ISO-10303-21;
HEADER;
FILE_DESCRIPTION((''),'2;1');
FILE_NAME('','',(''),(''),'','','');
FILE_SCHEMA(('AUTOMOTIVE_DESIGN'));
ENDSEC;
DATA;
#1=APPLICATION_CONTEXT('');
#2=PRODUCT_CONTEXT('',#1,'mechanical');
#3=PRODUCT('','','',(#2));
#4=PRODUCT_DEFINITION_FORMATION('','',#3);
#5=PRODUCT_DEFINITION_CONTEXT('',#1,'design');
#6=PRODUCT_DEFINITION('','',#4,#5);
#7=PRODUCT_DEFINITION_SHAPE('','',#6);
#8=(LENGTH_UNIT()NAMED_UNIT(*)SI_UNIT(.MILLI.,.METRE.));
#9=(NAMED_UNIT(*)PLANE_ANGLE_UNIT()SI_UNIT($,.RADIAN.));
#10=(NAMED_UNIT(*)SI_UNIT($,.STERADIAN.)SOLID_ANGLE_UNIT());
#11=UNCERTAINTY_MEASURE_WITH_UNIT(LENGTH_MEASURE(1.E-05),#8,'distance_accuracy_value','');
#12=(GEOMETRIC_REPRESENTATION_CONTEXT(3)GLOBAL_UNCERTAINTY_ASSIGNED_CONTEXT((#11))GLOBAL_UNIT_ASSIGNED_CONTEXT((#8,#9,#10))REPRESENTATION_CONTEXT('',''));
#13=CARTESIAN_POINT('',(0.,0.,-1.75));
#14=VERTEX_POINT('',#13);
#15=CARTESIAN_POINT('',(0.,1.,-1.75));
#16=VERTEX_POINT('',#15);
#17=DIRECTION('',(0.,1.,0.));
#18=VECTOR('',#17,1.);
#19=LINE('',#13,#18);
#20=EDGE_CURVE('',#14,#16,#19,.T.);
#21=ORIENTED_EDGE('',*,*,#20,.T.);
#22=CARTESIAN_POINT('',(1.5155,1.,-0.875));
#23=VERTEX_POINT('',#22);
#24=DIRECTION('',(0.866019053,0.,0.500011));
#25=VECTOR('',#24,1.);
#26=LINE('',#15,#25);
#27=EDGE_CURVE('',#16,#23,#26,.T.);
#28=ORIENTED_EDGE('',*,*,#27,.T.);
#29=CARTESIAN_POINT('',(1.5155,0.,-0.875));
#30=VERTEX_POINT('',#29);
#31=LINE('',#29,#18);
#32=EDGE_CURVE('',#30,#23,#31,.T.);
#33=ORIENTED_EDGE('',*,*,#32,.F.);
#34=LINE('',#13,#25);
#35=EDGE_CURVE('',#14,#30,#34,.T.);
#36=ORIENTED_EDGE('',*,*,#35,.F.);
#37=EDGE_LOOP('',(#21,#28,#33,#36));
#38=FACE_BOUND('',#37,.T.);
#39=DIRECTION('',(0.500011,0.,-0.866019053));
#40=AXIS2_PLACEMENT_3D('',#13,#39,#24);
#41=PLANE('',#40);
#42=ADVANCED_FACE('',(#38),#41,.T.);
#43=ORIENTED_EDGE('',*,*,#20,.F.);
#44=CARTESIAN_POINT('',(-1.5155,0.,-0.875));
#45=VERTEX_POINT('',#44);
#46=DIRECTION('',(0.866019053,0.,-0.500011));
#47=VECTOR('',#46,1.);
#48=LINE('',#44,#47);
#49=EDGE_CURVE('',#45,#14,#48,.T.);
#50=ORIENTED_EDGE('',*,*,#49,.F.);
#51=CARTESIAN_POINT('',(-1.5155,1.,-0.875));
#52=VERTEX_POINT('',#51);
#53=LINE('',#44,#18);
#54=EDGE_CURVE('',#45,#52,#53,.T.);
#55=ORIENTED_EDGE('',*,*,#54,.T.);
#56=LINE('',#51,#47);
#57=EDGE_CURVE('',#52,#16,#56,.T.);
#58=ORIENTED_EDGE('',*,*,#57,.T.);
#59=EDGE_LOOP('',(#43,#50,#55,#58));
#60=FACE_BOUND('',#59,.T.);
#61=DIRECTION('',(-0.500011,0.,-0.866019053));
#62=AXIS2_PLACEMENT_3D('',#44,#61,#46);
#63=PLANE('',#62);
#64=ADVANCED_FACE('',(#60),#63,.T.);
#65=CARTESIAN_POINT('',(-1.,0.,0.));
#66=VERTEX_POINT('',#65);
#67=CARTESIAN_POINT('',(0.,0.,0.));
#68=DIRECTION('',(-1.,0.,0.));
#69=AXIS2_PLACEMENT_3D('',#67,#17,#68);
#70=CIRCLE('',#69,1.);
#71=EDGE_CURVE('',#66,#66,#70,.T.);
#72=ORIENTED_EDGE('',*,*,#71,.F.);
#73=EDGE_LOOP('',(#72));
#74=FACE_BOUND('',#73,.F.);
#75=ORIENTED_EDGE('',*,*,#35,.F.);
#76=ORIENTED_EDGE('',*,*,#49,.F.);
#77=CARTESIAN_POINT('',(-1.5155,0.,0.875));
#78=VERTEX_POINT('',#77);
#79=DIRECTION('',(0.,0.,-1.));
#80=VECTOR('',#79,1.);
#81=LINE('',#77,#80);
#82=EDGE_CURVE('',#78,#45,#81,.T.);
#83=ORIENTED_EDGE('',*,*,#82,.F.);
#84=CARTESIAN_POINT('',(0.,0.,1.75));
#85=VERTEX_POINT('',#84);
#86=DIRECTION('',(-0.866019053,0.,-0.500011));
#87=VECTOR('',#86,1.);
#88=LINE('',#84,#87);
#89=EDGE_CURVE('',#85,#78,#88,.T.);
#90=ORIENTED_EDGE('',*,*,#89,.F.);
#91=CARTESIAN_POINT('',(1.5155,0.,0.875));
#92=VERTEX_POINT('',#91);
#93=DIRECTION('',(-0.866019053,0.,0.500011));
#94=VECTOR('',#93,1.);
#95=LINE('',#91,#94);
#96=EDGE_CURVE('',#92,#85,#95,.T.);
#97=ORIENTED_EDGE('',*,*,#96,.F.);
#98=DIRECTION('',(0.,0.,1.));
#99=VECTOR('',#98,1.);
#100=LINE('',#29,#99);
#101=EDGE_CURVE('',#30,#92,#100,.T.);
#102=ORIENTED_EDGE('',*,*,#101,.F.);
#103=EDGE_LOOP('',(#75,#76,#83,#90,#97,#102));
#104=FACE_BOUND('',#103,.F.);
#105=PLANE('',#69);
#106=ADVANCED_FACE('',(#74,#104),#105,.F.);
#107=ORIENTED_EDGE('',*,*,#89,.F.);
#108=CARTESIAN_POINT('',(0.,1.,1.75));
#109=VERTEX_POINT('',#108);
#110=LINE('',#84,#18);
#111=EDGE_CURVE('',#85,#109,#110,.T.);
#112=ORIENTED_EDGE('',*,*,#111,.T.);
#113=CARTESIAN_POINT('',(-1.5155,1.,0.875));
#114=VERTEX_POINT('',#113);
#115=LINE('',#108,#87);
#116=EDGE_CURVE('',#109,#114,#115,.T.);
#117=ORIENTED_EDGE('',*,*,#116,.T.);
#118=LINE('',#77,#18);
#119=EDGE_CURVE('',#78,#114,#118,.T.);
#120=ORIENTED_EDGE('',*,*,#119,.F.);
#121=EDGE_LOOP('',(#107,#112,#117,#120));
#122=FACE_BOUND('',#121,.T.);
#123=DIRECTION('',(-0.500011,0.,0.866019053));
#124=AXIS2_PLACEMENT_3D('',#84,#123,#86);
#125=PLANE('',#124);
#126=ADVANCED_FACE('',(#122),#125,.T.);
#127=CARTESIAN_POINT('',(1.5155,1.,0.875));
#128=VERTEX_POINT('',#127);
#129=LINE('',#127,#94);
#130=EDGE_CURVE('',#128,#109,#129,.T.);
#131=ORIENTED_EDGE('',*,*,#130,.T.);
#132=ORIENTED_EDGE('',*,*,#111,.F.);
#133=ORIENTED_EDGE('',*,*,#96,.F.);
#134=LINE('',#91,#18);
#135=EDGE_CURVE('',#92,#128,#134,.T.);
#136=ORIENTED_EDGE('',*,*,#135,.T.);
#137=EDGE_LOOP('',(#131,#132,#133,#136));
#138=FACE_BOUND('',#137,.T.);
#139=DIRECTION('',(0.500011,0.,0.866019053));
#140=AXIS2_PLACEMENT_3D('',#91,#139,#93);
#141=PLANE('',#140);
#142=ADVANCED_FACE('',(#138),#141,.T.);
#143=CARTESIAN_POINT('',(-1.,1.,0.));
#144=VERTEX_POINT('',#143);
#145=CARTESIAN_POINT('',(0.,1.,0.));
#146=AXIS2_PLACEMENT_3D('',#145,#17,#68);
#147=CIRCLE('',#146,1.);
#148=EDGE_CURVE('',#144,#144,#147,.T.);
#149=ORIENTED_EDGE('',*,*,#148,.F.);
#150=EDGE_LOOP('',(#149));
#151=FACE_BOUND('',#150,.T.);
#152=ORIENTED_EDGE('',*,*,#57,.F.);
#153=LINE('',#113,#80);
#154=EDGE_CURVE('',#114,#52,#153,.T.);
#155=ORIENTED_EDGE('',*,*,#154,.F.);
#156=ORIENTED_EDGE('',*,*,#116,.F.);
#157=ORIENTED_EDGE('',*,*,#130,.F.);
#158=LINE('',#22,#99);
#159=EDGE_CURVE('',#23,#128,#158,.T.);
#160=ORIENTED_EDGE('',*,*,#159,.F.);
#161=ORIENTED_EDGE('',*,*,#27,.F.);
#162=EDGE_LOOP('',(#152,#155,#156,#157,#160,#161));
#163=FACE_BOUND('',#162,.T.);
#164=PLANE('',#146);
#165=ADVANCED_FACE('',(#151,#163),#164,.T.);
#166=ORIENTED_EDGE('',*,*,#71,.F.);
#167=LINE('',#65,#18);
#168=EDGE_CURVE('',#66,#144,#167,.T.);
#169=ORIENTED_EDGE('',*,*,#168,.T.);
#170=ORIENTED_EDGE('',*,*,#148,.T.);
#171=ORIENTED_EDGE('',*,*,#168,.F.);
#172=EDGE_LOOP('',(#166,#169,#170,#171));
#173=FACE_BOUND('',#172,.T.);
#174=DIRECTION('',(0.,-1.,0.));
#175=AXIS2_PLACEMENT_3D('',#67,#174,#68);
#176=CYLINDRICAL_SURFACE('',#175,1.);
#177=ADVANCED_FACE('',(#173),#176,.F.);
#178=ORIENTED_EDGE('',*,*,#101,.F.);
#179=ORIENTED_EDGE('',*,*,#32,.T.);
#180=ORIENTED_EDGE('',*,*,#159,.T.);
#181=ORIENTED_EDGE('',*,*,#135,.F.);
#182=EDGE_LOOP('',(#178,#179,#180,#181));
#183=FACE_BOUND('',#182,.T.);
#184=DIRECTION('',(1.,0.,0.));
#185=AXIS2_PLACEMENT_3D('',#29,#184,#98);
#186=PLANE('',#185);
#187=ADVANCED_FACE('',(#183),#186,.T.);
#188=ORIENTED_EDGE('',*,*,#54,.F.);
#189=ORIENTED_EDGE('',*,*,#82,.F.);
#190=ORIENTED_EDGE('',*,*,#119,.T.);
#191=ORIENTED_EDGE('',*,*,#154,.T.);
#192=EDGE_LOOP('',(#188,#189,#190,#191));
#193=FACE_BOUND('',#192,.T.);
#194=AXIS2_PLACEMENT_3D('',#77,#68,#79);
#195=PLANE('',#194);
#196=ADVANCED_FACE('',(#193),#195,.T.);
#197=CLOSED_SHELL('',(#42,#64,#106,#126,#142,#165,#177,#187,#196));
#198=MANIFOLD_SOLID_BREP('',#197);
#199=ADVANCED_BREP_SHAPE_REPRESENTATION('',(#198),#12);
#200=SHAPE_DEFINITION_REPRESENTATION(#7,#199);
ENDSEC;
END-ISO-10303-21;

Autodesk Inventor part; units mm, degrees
ref_plane "YZ Plane" through (0, 0, 0) normal (1, 0, 0) x (0, 1, 0)
ref_plane "XZ Plane" through (0, 0, 0) normal (0, 1, 0) x (-1, 0, 0)
ref_plane "XY Plane" through (0, 0, 0) normal (0, 0, 1) x (1, 0, 0)
sketch "Sketch1" plane through (0, 0, 0) normal (0, 1, 0) x (-1, 0, 0)
  line L0 (0, -1.75) -> (-1.5155, -0.875)
  line L1 (-1.5155, -0.875) -> (-1.5155, 0.875)
  line L2 (-1.5155, 0.875) -> (0, 1.75)
  line L3 (0, 1.75) -> (1.5155, 0.875)
  line L4 (1.5155, 0.875) -> (1.5155, -0.875)
  line L5 (1.5155, -0.875) -> (0, -1.75)
  circle A0 centre (0, 0) radius 1
  dimension "d0" = 2
  dimension "d1" = 3.5
extrude "Extrusion1" add sketch "Sketch1" along normal blind 1
properties part number "M2Nut"
